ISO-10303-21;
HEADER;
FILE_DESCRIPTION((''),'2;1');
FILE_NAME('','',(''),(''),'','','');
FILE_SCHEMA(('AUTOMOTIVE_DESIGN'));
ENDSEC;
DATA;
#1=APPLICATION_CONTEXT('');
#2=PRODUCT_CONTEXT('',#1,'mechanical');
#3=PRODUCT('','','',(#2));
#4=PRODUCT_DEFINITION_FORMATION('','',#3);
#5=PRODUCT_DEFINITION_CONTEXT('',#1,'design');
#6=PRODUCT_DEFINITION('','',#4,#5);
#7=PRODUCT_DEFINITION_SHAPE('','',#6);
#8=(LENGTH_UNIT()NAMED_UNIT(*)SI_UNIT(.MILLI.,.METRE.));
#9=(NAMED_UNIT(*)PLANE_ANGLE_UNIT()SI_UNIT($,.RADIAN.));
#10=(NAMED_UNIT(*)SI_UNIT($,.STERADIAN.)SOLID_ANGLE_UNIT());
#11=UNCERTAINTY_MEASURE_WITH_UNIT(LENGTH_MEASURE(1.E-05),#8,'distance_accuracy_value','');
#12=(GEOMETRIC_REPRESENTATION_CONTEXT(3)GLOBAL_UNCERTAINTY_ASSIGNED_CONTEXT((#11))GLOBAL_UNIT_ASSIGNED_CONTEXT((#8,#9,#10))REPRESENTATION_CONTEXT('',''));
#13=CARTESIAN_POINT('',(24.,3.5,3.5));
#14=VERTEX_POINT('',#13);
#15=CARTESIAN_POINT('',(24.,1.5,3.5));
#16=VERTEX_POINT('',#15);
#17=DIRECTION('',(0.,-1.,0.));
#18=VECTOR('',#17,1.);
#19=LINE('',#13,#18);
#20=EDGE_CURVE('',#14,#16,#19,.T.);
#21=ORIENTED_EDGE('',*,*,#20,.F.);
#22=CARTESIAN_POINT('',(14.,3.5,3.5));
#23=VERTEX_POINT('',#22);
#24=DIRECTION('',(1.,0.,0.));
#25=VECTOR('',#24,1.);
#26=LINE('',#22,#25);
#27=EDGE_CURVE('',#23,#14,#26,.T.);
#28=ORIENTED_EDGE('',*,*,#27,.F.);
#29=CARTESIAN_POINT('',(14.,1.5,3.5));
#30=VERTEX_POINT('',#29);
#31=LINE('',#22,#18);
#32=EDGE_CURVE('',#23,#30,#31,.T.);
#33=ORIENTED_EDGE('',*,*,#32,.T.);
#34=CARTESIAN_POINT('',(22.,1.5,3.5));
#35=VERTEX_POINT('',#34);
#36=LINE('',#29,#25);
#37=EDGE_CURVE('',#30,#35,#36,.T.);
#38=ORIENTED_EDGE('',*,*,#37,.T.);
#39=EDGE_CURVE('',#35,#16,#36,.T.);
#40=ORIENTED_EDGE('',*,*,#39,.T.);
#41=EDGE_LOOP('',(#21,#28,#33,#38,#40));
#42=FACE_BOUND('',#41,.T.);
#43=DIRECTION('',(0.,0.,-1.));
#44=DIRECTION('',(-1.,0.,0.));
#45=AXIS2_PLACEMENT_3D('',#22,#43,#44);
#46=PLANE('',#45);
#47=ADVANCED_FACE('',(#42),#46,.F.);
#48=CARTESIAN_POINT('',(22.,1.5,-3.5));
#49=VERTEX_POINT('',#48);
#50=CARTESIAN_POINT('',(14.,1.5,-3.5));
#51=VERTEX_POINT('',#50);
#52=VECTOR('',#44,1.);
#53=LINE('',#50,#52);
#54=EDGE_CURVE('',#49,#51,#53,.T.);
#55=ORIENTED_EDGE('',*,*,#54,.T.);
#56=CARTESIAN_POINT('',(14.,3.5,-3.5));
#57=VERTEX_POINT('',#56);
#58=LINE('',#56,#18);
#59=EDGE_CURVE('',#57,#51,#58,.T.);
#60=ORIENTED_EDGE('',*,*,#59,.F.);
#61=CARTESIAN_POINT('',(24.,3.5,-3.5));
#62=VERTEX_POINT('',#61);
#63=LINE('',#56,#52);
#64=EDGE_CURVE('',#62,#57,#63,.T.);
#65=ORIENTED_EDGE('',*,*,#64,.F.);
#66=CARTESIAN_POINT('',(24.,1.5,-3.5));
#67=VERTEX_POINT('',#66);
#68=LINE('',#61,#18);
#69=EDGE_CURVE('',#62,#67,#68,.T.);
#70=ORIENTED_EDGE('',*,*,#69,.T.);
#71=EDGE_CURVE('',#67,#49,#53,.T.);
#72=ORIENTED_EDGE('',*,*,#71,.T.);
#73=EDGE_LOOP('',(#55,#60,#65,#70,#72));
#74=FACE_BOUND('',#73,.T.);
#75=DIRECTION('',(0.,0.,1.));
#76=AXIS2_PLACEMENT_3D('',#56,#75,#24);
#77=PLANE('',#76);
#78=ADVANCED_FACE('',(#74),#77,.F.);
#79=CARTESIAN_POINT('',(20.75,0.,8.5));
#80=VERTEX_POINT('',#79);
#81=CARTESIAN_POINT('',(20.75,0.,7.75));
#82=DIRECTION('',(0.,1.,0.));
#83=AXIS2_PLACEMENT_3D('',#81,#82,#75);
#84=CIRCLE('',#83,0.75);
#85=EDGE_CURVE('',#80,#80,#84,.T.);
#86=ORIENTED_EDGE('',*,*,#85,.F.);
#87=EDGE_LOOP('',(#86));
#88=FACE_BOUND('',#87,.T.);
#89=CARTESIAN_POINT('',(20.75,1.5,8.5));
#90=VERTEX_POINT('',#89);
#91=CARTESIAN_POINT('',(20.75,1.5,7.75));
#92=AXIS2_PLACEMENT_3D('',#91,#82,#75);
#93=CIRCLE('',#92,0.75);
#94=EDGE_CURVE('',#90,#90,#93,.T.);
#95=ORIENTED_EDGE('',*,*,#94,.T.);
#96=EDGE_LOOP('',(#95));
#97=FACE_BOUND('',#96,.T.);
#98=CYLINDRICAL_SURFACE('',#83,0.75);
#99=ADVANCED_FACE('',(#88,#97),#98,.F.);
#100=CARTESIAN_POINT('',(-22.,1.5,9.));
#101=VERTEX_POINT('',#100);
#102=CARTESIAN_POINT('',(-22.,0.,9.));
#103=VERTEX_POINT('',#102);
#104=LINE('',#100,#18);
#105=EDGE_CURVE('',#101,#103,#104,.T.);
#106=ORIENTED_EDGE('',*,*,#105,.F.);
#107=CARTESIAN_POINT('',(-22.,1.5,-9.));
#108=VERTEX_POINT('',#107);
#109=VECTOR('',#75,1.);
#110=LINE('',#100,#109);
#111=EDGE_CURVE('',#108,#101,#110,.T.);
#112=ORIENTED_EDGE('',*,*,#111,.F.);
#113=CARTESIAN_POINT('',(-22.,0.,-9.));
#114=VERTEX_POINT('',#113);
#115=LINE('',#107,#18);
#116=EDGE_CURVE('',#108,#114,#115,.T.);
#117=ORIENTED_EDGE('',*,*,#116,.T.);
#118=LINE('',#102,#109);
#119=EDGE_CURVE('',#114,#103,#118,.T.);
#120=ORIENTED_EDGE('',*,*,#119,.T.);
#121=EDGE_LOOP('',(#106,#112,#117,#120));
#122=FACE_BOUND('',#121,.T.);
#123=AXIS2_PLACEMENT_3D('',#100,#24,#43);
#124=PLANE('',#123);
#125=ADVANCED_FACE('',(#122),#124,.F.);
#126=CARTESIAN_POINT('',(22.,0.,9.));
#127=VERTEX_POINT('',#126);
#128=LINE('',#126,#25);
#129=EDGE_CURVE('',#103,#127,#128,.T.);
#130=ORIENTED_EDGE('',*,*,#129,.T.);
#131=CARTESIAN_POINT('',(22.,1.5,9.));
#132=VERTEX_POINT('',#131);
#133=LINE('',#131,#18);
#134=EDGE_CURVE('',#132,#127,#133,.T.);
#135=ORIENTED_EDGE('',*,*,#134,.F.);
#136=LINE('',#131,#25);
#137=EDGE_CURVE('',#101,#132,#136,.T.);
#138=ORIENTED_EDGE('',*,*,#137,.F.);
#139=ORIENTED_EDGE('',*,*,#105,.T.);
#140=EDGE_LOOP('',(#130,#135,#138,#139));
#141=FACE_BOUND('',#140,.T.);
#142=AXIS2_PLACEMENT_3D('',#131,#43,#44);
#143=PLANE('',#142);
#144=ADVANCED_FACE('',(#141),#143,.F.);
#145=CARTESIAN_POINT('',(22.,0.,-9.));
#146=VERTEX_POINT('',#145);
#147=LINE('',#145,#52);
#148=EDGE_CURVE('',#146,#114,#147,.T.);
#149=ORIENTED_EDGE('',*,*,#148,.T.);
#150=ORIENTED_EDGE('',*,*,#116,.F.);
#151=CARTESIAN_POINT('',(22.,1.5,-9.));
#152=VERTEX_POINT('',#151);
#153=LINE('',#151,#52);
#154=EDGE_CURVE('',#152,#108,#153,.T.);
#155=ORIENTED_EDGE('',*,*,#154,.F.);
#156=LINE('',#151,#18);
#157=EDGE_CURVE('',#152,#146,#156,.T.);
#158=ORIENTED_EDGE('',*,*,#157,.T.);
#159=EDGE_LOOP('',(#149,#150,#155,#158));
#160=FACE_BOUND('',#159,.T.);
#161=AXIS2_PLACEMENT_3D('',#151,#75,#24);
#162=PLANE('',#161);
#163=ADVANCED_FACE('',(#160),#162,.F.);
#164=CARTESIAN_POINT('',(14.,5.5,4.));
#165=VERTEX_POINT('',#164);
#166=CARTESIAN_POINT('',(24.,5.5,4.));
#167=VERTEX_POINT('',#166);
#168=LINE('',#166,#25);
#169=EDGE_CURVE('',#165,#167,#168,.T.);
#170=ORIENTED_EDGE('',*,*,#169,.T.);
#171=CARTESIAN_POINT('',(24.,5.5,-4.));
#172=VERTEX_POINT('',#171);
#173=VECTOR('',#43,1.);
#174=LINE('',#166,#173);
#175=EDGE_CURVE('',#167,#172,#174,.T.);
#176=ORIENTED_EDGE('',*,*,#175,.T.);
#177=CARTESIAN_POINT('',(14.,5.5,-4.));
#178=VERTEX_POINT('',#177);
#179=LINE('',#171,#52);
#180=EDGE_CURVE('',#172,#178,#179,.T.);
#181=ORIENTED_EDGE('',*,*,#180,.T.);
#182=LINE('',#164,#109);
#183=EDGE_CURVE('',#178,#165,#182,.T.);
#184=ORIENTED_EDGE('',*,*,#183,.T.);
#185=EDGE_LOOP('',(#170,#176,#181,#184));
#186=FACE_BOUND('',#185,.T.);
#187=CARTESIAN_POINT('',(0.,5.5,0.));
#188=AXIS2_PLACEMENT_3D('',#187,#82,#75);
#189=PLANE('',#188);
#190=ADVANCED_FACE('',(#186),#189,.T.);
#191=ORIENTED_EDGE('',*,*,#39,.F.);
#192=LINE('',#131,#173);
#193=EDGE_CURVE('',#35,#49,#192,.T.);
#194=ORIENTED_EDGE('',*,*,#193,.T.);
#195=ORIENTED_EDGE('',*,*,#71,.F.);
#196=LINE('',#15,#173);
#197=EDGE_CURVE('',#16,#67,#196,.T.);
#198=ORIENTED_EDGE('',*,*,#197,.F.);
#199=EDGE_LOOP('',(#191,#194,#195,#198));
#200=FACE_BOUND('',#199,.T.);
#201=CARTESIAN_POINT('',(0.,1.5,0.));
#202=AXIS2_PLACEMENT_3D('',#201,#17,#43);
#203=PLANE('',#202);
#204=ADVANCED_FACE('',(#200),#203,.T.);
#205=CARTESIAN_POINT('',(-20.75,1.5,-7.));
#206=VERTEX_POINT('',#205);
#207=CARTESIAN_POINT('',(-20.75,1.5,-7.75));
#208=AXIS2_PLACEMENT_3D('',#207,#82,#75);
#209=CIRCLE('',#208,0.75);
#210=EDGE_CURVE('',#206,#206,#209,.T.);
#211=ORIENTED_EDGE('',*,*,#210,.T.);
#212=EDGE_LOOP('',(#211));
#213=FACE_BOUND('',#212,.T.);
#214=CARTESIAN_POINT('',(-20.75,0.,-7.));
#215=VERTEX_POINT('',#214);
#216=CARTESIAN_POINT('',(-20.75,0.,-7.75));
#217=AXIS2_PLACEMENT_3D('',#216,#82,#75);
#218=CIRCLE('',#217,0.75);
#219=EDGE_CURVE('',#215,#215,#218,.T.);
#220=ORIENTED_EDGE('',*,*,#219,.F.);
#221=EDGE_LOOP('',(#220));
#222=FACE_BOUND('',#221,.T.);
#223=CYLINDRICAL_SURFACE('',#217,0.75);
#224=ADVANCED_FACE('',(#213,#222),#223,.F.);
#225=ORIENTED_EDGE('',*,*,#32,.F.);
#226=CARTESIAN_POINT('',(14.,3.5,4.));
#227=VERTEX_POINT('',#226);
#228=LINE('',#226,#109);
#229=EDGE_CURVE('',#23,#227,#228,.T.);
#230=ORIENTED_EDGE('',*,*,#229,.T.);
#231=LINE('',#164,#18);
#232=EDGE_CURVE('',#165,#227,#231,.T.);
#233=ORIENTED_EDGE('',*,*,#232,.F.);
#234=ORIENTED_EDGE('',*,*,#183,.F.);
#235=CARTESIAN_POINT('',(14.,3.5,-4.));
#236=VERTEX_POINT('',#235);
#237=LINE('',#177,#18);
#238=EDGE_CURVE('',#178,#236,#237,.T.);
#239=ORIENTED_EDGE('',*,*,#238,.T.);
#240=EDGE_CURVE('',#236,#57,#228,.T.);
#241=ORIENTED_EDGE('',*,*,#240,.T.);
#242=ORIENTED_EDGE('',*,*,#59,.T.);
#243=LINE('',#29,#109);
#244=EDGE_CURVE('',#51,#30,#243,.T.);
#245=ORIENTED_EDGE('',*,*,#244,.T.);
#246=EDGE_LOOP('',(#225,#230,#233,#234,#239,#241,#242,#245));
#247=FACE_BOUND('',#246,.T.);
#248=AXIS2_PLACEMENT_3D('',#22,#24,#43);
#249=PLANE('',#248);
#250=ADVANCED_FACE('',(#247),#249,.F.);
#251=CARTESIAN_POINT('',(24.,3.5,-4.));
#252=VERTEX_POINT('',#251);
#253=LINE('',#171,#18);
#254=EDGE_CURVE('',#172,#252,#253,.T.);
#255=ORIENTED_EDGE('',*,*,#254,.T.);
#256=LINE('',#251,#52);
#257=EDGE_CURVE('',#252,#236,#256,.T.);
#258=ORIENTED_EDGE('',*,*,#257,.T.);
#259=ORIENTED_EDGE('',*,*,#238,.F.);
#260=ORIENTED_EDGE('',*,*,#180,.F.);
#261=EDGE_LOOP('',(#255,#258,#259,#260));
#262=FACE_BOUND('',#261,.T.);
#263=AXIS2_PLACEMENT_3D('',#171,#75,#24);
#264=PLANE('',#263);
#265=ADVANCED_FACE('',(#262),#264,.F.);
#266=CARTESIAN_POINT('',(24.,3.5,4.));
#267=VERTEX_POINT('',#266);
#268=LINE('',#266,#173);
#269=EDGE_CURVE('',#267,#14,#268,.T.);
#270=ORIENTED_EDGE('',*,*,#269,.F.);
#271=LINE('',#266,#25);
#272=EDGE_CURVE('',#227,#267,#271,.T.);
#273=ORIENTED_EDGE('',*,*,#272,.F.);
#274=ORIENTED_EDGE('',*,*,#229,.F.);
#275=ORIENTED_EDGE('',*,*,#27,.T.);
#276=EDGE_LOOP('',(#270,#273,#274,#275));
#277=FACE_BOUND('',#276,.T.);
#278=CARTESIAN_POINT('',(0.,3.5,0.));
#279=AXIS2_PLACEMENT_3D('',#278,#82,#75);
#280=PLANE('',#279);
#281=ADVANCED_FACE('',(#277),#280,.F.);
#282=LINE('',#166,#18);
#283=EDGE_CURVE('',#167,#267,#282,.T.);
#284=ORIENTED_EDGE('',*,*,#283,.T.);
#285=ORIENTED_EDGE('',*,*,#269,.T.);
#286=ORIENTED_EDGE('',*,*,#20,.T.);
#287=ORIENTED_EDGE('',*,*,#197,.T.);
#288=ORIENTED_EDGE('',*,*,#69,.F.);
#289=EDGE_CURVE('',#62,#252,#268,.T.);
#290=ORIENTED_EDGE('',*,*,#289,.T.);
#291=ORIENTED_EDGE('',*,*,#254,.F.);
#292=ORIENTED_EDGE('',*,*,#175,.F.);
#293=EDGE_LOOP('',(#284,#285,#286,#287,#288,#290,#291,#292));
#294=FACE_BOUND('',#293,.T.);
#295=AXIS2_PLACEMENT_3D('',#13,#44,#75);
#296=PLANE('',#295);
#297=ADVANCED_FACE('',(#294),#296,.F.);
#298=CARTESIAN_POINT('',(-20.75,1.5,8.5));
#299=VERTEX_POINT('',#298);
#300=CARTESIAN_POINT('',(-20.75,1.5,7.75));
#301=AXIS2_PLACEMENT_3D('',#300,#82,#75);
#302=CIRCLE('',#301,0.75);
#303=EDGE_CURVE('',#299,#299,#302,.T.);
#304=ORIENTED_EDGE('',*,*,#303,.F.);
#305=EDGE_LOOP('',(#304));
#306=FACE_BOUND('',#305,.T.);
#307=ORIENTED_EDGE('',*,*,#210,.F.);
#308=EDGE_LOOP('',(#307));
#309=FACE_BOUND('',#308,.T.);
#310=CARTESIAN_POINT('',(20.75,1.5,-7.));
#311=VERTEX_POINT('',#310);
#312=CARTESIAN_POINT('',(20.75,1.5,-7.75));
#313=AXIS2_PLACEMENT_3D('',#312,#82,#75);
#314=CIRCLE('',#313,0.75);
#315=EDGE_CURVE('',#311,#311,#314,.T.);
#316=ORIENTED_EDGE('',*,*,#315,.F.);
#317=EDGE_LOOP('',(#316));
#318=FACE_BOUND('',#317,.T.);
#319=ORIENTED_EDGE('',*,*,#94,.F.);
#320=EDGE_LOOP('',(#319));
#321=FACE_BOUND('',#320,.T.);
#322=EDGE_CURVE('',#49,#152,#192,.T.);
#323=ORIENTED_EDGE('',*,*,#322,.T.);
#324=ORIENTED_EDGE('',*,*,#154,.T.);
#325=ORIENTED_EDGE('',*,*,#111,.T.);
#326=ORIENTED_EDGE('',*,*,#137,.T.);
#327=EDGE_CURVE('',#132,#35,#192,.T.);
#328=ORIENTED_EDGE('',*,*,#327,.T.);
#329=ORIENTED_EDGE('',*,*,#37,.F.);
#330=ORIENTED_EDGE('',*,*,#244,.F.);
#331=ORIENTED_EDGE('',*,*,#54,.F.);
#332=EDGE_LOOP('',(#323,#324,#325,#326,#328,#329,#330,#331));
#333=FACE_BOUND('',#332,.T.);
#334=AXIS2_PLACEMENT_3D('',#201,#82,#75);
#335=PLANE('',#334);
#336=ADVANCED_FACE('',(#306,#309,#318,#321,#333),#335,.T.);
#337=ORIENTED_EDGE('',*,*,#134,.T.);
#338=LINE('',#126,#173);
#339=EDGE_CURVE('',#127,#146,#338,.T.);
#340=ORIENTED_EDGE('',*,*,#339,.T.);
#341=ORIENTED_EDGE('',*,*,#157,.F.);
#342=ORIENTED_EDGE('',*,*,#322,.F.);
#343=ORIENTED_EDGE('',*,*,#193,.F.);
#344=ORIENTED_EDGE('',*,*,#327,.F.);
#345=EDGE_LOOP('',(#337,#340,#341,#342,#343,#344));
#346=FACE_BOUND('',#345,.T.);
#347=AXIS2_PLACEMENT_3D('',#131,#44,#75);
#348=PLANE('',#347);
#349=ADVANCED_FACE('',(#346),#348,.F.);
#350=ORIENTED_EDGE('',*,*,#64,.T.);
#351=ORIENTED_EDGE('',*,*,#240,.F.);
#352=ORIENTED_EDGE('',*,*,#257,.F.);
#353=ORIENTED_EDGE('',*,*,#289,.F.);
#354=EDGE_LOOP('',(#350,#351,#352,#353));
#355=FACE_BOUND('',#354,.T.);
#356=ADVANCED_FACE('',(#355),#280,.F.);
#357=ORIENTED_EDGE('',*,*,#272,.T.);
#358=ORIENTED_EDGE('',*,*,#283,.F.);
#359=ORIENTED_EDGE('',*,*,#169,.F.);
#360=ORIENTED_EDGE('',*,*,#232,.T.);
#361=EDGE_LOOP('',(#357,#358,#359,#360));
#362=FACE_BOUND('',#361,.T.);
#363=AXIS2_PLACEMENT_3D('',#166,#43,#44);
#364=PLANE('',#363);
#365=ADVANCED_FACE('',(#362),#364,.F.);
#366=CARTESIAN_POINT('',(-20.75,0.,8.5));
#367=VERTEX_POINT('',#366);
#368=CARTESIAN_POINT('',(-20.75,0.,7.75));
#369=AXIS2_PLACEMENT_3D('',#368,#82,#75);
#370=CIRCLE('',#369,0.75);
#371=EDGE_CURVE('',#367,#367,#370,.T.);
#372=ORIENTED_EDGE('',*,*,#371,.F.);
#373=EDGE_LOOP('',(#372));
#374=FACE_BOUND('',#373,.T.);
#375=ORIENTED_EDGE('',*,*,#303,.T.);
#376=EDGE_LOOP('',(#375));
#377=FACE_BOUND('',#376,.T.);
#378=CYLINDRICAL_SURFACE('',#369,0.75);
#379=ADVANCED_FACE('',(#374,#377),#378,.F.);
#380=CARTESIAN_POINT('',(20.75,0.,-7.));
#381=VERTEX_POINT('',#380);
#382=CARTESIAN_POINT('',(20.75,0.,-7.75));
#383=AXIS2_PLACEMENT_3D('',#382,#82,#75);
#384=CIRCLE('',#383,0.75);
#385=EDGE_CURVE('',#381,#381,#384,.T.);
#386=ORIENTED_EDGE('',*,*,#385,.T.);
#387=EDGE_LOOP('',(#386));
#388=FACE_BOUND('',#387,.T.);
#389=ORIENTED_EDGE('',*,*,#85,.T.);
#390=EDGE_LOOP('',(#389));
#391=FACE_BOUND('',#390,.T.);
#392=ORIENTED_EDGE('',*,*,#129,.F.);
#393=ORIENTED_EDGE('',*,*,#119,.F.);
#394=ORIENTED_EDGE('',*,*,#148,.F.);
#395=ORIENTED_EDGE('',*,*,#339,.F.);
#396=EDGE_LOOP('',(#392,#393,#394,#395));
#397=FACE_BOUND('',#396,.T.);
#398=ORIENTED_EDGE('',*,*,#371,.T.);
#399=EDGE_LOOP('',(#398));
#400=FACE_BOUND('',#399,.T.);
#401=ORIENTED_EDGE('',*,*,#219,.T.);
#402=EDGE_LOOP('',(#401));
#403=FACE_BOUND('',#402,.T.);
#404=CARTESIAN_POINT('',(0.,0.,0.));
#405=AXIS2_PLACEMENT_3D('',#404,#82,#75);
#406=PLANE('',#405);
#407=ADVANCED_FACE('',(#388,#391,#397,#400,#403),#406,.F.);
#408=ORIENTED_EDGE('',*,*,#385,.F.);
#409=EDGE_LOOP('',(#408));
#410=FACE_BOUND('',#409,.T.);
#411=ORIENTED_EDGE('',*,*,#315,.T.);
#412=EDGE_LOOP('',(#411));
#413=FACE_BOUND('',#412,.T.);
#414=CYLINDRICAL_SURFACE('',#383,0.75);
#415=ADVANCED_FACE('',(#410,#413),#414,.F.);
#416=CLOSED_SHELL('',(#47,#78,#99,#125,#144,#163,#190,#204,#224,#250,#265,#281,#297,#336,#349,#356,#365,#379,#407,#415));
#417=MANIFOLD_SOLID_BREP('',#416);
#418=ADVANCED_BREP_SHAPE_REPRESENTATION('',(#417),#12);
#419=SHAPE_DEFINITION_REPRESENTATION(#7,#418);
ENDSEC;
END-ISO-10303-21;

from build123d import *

# Parameters (mm, degrees)
SCHIZZO1_W                   = 44
SCHIZZO1_H                   = 18
ESTRUSIONE_ESTRUSIONE1_DEPTH = 1.5
SCHIZZO2_R                   = 0.75
TAGLIO_ESTRUSIONE1_DEPTH     = 1.5
SCHIZZO4_W                   = 10
SCHIZZO4_H                   = 7
ESTRUSIONE_ESTRUSIONE2_DEPTH = 2
SCHIZZO5_W                   = 10
SCHIZZO5_H                   = 8
ESTRUSIONE_ESTRUSIONE3_DEPTH = 2


with BuildPart() as part:
    # Schizzo1 → Estrusione-Estrusione1 (new body)
    with BuildSketch(Plane(origin=(0, 0, 0), x_dir=(1, 0, 0), z_dir=(0, 1, 0))):
        Rectangle(SCHIZZO1_W, SCHIZZO1_H)
    extrude(amount=ESTRUSIONE_ESTRUSIONE1_DEPTH)

    # Schizzo2 → Taglio-Estrusione1 (cut)
    with BuildSketch(Plane(origin=(0, 1.5, 0), x_dir=(1, 0, 0), z_dir=(0, 1, 0))):
        with Locations((-20.75, 7.75)):
            Circle(SCHIZZO2_R)
        with Locations((20.75, 7.75)):
            Circle(SCHIZZO2_R)
        with Locations((20.75, -7.75)):
            Circle(SCHIZZO2_R)
        with Locations((-20.75, -7.75)):
            Circle(SCHIZZO2_R)
    extrude(amount=-TAGLIO_ESTRUSIONE1_DEPTH, mode=Mode.SUBTRACT)

    # Schizzo4 → Estrusione-Estrusione2 (add)
    with BuildSketch(Plane(origin=(0, 1.5, 0), x_dir=(1, 0, 0), z_dir=(0, 1, 0))):
        with Locations((19, 0)):
            Rectangle(SCHIZZO4_W, SCHIZZO4_H)
    extrude(amount=ESTRUSIONE_ESTRUSIONE2_DEPTH)

    # Schizzo5 → Estrusione-Estrusione3 (add)
    with BuildSketch(Plane(origin=(0, 3.5, 0), x_dir=(1, 0, 0), z_dir=(0, 1, 0))):
        with Locations((19, 0)):
            Rectangle(SCHIZZO5_W, SCHIZZO5_H)
    extrude(amount=ESTRUSIONE_ESTRUSIONE3_DEPTH)


solid = part.part
